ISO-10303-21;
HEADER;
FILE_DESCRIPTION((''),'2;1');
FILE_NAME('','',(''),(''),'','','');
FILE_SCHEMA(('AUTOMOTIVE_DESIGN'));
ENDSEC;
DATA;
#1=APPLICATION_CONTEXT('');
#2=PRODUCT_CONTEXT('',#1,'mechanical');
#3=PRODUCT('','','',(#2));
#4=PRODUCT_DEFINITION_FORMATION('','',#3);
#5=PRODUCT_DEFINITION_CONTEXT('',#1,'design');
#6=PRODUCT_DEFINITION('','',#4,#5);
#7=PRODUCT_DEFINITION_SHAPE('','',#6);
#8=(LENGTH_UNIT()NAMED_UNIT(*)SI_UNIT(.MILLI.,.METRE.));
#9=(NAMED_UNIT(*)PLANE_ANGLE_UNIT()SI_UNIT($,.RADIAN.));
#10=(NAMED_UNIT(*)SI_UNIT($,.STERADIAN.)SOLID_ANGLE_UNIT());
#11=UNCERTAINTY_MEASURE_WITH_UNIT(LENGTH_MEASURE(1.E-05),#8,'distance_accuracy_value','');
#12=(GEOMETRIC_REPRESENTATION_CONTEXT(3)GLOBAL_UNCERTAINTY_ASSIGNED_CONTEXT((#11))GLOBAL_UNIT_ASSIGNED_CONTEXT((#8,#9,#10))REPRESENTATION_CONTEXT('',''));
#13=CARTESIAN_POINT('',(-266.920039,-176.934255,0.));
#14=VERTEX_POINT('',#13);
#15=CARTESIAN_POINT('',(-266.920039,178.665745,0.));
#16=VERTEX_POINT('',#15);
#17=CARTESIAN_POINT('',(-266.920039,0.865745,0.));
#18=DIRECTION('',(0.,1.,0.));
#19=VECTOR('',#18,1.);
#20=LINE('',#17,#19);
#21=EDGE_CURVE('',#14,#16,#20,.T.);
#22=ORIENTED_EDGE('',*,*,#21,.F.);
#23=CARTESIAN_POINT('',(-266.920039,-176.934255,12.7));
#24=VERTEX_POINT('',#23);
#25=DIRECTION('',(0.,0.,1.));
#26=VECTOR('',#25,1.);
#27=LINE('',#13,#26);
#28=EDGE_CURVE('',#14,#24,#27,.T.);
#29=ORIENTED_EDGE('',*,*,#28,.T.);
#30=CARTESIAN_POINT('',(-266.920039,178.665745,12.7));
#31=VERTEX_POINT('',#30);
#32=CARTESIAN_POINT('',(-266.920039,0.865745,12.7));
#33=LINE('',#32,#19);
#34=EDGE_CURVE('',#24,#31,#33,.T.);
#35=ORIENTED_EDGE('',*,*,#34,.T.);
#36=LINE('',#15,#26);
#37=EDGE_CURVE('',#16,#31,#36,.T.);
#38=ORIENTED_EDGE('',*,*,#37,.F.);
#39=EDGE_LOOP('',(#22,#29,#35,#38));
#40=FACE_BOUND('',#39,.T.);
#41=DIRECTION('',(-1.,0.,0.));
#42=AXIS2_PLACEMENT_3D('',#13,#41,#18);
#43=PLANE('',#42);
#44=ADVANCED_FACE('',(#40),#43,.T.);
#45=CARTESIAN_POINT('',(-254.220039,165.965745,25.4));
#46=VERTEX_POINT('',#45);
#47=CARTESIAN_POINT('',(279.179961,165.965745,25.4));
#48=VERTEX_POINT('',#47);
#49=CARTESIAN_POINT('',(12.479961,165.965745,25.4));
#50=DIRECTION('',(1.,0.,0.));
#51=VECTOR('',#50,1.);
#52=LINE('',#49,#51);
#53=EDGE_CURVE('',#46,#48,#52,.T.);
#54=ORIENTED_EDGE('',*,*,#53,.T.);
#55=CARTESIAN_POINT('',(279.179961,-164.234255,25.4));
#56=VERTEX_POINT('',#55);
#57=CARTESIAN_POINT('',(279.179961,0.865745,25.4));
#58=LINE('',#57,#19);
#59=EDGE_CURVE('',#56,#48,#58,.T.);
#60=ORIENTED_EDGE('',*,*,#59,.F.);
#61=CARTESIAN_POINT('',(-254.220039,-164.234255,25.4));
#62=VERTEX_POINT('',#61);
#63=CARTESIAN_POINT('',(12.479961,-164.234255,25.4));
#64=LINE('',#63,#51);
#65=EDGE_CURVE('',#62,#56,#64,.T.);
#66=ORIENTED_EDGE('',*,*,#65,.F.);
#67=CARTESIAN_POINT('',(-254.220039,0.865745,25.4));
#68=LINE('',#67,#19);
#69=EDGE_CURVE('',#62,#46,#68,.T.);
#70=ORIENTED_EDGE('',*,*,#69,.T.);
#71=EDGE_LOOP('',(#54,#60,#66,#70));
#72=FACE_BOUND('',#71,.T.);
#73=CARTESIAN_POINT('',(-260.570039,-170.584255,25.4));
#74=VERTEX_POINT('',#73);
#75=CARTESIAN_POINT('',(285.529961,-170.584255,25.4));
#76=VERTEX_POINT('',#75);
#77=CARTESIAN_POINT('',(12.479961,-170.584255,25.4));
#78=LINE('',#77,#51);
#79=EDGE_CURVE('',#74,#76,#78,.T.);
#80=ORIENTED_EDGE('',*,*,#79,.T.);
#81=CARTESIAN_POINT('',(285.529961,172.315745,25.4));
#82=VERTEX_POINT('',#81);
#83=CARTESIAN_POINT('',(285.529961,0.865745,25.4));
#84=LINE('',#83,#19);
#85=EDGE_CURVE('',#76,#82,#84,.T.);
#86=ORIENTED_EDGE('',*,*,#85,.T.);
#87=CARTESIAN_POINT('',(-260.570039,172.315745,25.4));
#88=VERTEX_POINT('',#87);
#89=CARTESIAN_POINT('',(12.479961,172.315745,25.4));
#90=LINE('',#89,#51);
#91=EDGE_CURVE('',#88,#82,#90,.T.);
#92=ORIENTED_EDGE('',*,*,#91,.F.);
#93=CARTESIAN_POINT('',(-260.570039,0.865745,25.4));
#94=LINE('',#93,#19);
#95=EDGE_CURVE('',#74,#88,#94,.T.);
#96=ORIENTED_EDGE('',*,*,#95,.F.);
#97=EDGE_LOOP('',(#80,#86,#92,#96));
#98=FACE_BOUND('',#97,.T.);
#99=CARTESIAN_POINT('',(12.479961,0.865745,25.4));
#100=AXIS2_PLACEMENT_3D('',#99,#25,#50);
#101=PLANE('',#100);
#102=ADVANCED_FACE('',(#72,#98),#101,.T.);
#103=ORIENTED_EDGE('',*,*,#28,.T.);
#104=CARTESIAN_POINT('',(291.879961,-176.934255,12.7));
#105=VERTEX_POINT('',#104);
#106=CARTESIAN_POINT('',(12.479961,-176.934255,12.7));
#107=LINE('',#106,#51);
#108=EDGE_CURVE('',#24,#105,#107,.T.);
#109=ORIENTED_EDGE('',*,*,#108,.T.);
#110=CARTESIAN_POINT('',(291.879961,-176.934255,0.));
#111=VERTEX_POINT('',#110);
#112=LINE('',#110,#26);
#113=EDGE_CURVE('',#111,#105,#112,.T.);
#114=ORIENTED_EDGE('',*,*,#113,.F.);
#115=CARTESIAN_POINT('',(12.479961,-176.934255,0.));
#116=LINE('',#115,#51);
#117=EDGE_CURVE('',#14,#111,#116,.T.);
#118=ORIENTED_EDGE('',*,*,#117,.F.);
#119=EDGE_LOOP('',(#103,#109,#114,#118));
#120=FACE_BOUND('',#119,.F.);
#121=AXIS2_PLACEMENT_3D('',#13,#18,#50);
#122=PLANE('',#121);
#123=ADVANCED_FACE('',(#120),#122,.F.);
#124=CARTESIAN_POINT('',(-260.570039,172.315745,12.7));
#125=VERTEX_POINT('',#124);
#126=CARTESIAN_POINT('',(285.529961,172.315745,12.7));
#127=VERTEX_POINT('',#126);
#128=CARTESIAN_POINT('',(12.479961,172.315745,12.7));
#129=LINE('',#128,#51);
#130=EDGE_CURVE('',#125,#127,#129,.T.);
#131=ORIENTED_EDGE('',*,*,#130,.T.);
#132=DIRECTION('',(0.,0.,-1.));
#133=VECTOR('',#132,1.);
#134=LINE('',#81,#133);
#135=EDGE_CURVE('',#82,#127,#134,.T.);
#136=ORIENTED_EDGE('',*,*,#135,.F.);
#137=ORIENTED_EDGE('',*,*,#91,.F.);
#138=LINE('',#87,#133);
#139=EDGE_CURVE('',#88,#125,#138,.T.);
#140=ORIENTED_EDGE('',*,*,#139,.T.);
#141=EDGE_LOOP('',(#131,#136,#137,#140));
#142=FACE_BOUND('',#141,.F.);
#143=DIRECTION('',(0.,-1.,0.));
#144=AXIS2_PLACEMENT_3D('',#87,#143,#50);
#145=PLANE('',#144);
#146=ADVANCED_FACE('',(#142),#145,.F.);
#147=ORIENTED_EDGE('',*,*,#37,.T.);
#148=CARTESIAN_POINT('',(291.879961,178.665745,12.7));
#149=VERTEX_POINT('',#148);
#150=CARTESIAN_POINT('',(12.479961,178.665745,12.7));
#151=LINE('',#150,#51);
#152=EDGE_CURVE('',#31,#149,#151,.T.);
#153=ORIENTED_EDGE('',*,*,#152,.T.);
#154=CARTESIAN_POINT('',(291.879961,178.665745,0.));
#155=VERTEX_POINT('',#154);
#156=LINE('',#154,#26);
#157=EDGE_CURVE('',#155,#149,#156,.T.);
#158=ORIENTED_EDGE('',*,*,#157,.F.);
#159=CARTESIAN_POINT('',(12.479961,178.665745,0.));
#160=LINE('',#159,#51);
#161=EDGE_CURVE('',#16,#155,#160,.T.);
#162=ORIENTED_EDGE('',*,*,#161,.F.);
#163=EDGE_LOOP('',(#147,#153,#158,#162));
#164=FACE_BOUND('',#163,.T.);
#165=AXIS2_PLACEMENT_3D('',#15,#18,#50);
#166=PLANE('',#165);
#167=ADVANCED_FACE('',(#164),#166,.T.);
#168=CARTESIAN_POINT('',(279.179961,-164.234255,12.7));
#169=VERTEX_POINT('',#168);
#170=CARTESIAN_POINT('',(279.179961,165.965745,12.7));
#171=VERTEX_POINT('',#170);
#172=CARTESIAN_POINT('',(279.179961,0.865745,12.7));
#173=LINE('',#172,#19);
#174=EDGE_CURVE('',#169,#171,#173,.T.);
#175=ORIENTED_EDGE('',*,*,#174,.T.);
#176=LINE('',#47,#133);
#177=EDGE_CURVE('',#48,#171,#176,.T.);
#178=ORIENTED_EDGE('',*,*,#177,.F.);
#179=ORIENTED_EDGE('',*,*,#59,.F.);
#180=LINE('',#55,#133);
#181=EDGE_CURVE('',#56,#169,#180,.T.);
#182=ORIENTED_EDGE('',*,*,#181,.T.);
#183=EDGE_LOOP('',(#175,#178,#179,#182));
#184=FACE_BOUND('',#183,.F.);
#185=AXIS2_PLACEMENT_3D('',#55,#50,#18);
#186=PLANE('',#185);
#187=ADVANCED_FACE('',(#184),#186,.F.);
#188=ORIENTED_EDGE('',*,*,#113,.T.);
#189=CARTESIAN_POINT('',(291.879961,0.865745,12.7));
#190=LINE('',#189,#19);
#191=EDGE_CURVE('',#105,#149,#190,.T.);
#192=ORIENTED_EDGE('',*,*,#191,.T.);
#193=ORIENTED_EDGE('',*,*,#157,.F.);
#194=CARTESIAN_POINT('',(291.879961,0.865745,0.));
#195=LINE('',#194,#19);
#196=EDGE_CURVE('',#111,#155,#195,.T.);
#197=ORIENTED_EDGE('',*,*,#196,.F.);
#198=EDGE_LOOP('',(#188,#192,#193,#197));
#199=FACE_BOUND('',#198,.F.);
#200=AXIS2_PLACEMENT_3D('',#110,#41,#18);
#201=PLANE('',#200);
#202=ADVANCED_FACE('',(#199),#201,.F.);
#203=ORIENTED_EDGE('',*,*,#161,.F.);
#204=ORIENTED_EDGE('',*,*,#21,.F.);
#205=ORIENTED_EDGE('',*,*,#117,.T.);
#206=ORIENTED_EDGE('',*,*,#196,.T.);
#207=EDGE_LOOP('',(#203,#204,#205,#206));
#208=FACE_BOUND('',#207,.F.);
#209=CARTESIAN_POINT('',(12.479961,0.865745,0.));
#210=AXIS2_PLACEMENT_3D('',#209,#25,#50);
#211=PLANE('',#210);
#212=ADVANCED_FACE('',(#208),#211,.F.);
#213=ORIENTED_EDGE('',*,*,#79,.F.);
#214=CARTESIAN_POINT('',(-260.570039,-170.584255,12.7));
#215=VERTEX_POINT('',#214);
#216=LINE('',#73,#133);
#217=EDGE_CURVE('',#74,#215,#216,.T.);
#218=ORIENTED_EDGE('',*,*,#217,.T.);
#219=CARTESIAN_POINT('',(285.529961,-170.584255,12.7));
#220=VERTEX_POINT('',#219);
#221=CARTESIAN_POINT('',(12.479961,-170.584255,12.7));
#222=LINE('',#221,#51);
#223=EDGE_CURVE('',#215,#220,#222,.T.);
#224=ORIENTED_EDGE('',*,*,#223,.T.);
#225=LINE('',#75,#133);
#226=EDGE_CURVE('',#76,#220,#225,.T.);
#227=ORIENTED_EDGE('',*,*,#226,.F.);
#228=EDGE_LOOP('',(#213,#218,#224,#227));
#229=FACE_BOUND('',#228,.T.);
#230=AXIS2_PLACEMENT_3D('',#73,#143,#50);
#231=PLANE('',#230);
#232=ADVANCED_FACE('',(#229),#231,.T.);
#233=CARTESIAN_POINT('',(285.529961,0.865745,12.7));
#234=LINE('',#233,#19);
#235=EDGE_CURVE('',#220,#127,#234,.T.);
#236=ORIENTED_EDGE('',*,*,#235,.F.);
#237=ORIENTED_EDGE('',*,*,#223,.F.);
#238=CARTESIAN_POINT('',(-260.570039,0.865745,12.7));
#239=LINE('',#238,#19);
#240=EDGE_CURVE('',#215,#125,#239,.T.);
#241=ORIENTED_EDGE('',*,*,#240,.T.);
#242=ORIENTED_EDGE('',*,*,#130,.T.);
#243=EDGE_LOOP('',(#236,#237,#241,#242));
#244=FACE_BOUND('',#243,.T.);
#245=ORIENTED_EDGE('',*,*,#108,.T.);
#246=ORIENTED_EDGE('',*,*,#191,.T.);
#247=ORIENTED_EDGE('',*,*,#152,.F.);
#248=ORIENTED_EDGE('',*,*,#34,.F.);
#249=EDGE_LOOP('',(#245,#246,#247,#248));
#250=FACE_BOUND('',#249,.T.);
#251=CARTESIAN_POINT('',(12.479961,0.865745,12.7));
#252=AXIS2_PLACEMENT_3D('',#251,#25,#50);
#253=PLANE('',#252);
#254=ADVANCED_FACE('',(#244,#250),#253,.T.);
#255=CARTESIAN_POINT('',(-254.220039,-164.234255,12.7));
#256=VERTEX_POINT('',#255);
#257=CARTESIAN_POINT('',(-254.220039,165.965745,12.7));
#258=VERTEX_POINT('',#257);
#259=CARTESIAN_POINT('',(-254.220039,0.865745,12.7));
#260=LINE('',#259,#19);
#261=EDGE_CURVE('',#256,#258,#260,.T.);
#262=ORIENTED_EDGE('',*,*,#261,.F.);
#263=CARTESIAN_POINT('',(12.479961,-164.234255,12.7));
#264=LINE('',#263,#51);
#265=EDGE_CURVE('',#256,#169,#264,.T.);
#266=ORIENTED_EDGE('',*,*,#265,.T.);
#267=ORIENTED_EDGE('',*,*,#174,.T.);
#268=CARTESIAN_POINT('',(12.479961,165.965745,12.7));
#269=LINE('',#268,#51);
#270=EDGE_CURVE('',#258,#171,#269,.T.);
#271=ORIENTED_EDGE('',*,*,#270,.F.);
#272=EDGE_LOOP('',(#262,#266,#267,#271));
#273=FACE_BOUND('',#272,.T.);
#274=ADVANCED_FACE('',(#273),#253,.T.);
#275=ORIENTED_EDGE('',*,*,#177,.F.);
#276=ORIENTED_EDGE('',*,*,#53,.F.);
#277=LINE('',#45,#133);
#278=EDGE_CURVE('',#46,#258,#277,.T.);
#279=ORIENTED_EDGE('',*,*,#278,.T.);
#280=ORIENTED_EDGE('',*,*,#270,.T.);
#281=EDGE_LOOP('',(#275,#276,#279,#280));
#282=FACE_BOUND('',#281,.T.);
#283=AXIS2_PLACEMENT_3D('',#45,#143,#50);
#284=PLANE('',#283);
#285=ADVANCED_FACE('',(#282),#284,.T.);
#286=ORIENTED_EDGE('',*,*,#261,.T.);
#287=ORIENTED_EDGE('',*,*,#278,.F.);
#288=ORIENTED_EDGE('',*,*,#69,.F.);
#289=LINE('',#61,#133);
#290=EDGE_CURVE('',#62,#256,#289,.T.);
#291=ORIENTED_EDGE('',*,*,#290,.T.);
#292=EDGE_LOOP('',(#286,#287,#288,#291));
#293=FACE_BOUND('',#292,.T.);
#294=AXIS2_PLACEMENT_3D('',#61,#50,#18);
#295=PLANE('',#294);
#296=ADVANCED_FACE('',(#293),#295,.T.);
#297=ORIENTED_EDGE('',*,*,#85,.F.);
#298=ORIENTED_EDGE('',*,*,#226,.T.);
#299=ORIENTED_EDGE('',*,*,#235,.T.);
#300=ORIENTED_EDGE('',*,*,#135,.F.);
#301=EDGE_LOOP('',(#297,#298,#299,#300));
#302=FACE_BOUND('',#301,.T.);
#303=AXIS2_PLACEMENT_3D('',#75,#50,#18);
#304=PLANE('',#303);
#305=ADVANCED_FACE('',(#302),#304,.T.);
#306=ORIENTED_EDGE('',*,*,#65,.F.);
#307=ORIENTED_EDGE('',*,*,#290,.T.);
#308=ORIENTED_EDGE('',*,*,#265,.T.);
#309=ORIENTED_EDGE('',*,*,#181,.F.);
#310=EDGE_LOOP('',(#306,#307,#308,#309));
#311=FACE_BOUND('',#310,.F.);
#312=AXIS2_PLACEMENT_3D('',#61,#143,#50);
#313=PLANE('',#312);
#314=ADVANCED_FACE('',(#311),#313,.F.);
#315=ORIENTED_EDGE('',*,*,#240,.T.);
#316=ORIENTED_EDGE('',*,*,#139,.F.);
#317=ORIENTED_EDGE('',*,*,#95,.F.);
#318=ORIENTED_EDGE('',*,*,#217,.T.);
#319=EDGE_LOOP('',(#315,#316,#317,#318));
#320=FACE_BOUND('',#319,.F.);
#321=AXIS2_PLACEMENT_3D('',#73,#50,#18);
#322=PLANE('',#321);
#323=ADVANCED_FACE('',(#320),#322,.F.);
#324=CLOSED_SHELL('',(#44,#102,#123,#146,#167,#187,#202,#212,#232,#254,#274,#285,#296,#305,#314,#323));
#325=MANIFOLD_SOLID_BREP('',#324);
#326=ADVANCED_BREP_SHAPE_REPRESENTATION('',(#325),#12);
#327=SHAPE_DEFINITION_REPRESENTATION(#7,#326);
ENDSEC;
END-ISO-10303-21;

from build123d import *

# Parameters (mm, degrees)
F0_W     = 558.8
F0_H     = 355.6
F1_DEPTH = 25.4
F2_W     = 533.4
F2_H     = 330.2
F3_DEPTH = 12.7
F4_W     = 558.8
F4_H     = 355.6
F4_W_2   = 546.1
F4_H_2   = 342.9
F5_DEPTH = 12.7


with BuildPart() as f1:
    # F0 (on Top) → F1 (new body)
    with BuildSketch(Plane.XY):
        with Locations((12.479961, 0.865745)):
            Rectangle(F0_W, F0_H)
    extrude(amount=F1_DEPTH)

    # F2 (on face) → F3 (cut)
    with BuildSketch(Plane.XY.offset(25.4)):
        with Locations((12.479961, 0.865745)):
            Rectangle(F2_W, F2_H)
    extrude(amount=-F3_DEPTH, mode=Mode.SUBTRACT)

    # F4 (on face) → F5 (cut)
    with BuildSketch(Plane.XY.offset(25.4)):
        with Locations((12.479961, 0.865745)):
            Rectangle(F4_W, F4_H)
        with Locations((12.479961, 0.865745)):
            Rectangle(F4_W_2, F4_H_2, mode=Mode.SUBTRACT)
    extrude(amount=-F5_DEPTH, mode=Mode.SUBTRACT)


solid = f1.part
